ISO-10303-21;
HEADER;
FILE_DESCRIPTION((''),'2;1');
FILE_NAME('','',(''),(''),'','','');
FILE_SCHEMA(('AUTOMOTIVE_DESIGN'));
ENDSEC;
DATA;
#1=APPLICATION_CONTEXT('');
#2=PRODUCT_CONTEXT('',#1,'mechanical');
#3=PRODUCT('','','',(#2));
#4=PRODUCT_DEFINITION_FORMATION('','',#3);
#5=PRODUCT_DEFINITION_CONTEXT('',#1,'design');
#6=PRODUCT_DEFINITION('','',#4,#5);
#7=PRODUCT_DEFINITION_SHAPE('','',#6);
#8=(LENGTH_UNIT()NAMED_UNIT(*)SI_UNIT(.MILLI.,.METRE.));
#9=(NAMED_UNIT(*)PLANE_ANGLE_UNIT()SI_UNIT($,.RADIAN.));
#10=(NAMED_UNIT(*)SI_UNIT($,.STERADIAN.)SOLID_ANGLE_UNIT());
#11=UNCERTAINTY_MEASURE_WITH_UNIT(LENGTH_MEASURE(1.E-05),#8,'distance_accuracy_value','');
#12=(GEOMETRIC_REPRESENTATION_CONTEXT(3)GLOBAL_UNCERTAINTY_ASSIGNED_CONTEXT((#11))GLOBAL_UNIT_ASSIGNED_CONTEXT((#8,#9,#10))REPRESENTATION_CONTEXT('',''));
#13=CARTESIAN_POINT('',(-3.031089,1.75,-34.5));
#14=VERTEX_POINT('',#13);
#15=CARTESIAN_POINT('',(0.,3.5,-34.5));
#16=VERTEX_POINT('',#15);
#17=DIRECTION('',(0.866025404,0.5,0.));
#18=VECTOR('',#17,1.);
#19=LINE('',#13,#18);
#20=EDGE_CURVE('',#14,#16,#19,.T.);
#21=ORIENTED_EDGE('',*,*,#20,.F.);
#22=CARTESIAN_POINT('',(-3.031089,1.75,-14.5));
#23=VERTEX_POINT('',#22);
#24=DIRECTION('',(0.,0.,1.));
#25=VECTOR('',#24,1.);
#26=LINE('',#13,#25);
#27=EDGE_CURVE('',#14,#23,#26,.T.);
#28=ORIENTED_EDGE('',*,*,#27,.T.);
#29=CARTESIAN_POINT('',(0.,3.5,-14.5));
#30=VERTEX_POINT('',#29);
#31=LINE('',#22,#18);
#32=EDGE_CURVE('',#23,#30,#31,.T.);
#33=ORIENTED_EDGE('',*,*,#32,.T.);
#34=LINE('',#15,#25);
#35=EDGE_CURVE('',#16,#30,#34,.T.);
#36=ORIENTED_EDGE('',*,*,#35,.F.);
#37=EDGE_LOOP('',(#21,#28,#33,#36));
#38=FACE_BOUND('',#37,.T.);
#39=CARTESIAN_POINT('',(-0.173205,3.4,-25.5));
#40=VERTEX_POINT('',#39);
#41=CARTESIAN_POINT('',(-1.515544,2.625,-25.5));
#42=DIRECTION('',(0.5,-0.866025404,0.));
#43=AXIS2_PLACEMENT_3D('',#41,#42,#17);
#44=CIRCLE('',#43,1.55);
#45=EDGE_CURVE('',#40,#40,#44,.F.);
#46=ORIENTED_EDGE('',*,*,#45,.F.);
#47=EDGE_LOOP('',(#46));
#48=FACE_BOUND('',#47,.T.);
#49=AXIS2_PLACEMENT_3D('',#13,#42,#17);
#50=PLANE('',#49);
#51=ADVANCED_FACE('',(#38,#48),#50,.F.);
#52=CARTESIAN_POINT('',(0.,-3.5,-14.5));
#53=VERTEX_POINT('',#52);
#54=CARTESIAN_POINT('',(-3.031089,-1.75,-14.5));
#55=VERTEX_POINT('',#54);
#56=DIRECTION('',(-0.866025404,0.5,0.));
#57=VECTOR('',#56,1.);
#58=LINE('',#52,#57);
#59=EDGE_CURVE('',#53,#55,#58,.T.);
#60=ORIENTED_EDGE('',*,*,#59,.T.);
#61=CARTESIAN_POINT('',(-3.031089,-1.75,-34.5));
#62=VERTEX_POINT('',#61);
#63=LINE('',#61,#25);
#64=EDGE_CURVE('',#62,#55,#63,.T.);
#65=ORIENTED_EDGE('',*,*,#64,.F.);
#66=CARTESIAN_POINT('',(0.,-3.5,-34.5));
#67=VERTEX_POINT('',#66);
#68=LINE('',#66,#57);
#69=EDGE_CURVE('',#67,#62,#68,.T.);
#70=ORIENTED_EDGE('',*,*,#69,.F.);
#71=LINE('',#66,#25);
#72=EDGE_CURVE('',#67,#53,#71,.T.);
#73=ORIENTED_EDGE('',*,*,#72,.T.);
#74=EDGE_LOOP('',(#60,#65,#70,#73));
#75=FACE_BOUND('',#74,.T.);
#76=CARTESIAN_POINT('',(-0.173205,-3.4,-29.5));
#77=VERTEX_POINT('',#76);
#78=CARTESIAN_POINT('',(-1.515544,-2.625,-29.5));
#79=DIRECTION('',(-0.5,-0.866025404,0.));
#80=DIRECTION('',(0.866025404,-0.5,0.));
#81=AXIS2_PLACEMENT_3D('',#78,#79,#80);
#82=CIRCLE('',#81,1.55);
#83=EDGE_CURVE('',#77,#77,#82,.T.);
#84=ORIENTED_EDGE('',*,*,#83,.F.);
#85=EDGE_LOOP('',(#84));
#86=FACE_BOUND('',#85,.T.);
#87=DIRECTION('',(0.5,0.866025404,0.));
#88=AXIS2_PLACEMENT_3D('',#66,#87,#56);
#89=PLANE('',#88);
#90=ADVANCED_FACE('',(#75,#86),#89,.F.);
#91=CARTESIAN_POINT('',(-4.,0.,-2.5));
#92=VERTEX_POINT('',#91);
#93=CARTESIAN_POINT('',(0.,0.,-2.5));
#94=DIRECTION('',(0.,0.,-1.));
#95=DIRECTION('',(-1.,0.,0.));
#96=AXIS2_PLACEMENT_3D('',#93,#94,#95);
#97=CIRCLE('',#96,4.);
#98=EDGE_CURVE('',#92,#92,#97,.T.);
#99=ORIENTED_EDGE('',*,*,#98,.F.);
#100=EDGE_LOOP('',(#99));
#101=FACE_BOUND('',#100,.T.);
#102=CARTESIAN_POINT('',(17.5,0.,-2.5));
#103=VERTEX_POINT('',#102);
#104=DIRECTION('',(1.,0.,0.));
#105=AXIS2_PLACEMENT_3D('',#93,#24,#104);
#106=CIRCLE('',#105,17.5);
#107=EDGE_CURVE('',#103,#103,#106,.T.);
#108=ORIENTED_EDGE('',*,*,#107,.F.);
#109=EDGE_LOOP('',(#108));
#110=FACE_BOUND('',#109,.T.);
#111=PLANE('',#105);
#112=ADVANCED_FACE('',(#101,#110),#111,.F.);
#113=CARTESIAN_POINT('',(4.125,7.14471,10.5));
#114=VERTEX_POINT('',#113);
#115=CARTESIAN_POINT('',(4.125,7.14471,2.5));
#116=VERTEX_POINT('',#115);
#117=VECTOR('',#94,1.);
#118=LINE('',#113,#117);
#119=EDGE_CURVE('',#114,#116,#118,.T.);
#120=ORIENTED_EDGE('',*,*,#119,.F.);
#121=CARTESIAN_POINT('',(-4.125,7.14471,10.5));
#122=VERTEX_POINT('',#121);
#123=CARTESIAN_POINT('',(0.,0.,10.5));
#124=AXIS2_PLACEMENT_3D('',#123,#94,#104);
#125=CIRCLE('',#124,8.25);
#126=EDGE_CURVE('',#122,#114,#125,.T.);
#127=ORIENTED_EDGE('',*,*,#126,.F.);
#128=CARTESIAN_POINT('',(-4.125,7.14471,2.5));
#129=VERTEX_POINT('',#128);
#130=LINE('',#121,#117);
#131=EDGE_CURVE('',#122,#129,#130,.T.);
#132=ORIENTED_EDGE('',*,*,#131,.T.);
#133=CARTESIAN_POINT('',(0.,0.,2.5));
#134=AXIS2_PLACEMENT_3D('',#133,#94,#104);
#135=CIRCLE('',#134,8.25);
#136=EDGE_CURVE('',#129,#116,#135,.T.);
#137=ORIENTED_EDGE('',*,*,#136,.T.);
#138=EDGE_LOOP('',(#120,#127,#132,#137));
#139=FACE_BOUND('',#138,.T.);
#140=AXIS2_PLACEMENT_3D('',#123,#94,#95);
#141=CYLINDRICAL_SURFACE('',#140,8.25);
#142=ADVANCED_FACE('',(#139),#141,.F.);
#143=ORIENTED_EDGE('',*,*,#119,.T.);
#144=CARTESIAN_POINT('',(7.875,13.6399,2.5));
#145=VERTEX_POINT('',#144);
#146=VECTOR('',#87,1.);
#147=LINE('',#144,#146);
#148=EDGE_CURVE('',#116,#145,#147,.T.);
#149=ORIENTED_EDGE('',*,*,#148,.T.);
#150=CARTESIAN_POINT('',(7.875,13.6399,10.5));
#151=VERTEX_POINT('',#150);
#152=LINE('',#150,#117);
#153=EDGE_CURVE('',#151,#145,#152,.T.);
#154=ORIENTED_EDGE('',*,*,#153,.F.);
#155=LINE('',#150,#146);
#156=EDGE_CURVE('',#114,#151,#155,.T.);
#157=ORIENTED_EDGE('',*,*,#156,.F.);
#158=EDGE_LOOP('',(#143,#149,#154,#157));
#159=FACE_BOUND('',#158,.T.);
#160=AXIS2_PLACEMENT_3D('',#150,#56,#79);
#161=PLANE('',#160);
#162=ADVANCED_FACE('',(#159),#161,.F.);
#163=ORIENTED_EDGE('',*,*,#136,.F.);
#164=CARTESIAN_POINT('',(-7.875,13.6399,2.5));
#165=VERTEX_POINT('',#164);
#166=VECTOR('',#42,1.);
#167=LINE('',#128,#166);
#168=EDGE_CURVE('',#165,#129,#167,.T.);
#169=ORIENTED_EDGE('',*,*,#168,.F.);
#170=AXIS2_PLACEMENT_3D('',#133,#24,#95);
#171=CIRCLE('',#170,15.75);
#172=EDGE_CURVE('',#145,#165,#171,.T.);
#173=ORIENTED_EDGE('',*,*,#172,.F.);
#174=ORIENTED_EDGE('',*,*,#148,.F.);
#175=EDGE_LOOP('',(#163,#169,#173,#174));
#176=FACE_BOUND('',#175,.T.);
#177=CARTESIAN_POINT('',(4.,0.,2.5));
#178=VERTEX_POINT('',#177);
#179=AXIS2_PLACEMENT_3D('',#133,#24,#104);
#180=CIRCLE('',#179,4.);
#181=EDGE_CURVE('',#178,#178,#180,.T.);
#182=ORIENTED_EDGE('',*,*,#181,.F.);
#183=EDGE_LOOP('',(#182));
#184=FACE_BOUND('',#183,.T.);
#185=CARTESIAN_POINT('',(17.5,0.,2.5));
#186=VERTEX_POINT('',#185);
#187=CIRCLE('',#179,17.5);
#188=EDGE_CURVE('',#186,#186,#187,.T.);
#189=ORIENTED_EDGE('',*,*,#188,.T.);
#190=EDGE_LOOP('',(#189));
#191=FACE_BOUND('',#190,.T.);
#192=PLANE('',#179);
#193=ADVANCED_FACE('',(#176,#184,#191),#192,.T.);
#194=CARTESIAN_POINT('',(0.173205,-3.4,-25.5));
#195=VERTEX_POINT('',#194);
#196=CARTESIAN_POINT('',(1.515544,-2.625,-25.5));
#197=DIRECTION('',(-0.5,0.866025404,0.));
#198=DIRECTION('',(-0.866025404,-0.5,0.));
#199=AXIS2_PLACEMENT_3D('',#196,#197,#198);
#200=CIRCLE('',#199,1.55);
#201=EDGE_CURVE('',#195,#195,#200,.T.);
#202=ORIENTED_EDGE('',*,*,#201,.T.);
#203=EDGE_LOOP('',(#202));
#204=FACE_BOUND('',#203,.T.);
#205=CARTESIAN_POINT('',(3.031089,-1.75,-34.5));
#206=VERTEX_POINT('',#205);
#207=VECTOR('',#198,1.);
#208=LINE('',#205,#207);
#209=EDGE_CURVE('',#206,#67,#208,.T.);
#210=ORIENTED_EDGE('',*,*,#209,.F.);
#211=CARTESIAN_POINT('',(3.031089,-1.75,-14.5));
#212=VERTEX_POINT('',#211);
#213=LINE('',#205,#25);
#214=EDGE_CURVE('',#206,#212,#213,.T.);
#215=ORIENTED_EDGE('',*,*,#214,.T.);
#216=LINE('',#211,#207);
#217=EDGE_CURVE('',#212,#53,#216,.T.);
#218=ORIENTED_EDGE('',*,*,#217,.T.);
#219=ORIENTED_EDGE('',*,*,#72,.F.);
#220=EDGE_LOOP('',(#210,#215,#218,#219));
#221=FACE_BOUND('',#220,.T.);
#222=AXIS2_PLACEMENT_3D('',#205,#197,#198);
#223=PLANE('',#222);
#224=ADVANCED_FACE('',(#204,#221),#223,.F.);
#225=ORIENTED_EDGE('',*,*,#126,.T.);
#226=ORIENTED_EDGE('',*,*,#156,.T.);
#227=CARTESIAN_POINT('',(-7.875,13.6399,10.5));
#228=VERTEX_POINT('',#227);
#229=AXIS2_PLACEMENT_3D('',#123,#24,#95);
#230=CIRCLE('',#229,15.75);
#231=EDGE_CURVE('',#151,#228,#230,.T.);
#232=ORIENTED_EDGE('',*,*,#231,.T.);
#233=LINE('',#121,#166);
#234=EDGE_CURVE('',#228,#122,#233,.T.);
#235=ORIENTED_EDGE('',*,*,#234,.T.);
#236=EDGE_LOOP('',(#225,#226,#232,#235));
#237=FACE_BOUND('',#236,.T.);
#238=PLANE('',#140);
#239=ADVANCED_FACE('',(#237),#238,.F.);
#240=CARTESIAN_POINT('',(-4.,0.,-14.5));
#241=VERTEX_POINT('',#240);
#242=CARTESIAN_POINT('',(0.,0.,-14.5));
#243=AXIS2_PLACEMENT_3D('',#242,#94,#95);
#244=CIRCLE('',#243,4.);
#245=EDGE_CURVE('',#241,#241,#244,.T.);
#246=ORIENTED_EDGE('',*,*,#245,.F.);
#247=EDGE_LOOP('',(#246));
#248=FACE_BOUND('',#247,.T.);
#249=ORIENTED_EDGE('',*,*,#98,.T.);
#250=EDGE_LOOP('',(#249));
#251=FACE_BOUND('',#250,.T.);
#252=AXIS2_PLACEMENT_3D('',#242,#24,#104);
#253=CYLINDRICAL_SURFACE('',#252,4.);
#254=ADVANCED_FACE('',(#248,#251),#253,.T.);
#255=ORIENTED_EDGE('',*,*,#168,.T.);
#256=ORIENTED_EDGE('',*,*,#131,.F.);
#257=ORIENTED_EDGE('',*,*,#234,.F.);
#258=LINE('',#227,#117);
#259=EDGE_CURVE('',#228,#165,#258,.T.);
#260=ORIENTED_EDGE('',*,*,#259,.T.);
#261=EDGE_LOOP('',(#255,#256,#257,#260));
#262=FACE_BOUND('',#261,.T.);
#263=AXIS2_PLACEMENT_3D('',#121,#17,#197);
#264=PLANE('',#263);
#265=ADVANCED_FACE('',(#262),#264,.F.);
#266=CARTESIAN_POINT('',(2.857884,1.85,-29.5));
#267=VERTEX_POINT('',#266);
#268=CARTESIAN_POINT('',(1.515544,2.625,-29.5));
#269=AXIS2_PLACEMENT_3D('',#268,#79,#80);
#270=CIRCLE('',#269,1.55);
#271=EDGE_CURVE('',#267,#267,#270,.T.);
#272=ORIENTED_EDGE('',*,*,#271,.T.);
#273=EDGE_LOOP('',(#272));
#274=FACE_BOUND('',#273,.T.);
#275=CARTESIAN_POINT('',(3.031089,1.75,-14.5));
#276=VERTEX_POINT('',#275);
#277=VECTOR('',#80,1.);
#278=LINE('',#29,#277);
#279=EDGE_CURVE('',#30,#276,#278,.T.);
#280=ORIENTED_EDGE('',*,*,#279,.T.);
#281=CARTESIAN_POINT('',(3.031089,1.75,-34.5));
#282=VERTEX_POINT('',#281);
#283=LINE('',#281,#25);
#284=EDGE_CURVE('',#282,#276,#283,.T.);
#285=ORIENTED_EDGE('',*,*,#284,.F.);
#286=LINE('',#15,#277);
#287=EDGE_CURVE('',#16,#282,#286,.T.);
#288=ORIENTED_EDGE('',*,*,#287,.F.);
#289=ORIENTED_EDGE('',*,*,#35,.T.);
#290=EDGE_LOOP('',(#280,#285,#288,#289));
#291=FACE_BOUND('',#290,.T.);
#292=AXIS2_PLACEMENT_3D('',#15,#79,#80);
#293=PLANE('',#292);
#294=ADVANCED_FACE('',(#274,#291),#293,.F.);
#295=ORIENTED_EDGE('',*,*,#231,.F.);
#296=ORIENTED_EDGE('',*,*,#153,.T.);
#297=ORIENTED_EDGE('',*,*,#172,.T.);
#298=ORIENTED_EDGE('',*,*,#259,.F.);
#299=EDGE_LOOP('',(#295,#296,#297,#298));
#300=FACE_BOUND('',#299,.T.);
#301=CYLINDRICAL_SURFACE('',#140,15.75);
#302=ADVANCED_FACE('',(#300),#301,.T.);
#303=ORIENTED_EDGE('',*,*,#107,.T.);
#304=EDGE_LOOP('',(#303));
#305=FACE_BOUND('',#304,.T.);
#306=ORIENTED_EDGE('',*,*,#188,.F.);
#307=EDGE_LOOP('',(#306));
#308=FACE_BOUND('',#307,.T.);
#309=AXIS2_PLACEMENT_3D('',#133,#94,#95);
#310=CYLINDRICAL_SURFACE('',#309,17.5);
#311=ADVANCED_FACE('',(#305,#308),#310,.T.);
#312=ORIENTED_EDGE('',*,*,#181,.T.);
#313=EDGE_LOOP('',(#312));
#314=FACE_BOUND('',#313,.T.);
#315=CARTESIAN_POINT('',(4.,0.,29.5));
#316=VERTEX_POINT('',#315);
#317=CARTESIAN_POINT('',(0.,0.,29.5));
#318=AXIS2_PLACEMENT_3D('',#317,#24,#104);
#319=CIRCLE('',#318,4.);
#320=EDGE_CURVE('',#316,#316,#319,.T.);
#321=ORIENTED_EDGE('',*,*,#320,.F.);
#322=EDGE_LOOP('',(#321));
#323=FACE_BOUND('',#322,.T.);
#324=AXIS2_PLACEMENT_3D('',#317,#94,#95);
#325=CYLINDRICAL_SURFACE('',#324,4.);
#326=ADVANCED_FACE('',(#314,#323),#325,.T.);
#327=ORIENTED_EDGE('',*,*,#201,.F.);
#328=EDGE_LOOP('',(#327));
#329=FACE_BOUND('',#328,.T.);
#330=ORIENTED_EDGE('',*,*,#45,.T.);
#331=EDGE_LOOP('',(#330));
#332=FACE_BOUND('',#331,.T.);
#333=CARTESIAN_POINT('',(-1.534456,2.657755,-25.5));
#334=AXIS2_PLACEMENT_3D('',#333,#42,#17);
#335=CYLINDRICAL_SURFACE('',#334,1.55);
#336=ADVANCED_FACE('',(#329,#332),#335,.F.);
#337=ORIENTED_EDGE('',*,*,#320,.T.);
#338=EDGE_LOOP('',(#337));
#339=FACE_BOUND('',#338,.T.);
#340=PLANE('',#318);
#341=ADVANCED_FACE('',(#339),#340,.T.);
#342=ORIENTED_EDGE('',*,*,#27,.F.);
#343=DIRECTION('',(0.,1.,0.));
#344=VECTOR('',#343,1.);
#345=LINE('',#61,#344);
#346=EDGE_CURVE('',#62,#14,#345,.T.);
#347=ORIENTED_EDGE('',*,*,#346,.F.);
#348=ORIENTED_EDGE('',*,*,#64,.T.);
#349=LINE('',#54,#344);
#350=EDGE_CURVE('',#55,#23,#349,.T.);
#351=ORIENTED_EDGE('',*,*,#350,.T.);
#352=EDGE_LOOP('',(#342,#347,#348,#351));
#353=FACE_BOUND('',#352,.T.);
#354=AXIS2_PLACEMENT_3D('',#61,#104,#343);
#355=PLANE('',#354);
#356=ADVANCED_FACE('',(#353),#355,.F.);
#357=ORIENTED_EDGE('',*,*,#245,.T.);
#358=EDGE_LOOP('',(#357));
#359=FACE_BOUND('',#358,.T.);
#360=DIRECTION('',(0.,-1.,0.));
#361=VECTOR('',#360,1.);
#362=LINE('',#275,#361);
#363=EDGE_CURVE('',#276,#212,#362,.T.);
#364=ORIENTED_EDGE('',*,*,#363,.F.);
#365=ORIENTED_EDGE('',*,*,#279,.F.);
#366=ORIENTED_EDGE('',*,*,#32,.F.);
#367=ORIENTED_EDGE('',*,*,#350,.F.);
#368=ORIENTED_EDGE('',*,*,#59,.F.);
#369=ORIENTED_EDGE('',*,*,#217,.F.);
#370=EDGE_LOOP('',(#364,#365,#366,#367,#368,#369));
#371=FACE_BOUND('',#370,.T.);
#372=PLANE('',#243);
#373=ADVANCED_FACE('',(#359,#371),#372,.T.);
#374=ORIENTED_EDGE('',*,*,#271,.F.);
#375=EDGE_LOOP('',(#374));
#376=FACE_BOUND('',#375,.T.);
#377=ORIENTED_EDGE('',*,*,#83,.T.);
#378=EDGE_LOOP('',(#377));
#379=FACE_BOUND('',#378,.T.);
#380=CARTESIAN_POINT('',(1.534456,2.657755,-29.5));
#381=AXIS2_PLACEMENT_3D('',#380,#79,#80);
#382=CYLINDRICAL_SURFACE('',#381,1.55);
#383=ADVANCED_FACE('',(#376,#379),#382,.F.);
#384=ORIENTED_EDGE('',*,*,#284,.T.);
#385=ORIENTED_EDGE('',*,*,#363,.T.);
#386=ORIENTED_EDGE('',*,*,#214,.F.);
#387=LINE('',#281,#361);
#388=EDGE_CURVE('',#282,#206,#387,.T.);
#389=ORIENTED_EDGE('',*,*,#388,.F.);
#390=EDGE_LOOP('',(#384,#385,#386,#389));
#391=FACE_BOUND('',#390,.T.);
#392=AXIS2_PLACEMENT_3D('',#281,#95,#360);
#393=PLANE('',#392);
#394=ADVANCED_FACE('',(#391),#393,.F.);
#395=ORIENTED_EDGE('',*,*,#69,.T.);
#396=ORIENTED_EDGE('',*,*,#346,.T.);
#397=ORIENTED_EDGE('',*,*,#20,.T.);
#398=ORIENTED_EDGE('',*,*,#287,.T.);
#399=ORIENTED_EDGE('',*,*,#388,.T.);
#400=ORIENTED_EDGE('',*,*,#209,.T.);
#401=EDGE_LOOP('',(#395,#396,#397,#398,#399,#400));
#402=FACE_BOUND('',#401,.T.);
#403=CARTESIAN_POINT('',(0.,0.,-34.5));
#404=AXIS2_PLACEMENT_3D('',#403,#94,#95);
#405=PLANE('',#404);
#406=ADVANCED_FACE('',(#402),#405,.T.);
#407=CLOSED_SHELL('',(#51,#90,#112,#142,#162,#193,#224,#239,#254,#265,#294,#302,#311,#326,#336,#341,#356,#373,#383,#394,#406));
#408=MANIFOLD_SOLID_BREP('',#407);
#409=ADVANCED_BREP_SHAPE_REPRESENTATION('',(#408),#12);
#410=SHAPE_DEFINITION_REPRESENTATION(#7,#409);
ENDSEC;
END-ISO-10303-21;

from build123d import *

# Parameters (mm, degrees)
SKETCH1_R           = 17.5
BOSS_EXTRUDE1_DEPTH = 2.5
BOSS_EXTRUDE2_DEPTH = 8
SKETCH3_R           = 4
BOSS_EXTRUDE3_DEPTH = 27
BOSS_EXTRUDE4_START = 12
SKETCH7_R           = 4
BOSS_EXTRUDE4_DEPTH = 12
BOSS_EXTRUDE5_DEPTH = 20
SKETCH10_R          = 1.55
CUT_EXTRUDE1_DEPTH  = 6.1
SKETCH11_R          = 1.55
CUT_EXTRUDE4_DEPTH  = 6.1


with BuildPart() as part:
    # Sketch1 → Boss-Extrude1 (new, symmetric)
    with BuildSketch(Plane.XY):
        Circle(SKETCH1_R)
    extrude(amount=BOSS_EXTRUDE1_DEPTH, both=True)

    # Sketch2 → Boss-Extrude2 (add)
    with BuildSketch(Plane.XY.offset(2.5)):
        with BuildLine():
            Line((7.875, 13.63990011), (4.125, 7.144709581))
            ThreePointArc((4.125, 7.144709581), (0, 8.25), (-4.125, 7.144709581))
            Line((-4.125, 7.144709581), (-7.875, 13.63990011))
            ThreePointArc((-7.875, 13.63990011), (0, 15.75), (7.875, 13.63990011))
        make_face()
    extrude(amount=BOSS_EXTRUDE2_DEPTH)

    # Sketch3 → Boss-Extrude3 (add)
    with BuildSketch(Plane.XY.offset(2.5)):
        Circle(SKETCH3_R)
    extrude(amount=BOSS_EXTRUDE3_DEPTH)

    # Sketch7 → Boss-Extrude4 (add)
    with BuildSketch(Plane(origin=(0, 0, -2.5), x_dir=(-1, 0, 0), z_dir=(0, 0, -1)).offset(BOSS_EXTRUDE4_START)):
        with Locations(Location((0, 0, 0), (0, 0, 180))):
            Circle(SKETCH7_R)
    extrude(amount=-BOSS_EXTRUDE4_DEPTH)

    # Sketch9 → Boss-Extrude5 (add)
    with BuildSketch(Plane(origin=(0, 0, -14.5), x_dir=(-1, 0, 0), z_dir=(0, 0, -1))):
        Polygon((0, 3.5), (-3.031088913, 1.75), (-3.031088913, -1.75), (0, -3.5), (3.031088913, -1.75), (3.031088913, 1.75), align=None)
    extrude(amount=BOSS_EXTRUDE5_DEPTH)

    # Sketch10 → Cut-Extrude1 (cut)
    with BuildSketch(Plane(origin=(-1.515544457, -2.625, 0), x_dir=(0.866025403784435, -0.5000000000000062, 0), z_dir=(-0.5000000000000062, -0.866025403784435, 0))):
        with Locations((0, -29.5)):
            Circle(SKETCH10_R)
    extrude(amount=-CUT_EXTRUDE1_DEPTH, mode=Mode.SUBTRACT)

    # Sketch11 → Cut-Extrude4 (cut)
    with BuildSketch(Plane(origin=(1.515544457, -2.625, 0), x_dir=(0, 0, 1), z_dir=(-0.49999999999999717, 0.8660254037844404, 0))):
        with Locations(Location((-25.5, 0, 0), (0, 0, 90))):
            Circle(SKETCH11_R)
    extrude(amount=CUT_EXTRUDE4_DEPTH, mode=Mode.SUBTRACT)


solid = part.part
